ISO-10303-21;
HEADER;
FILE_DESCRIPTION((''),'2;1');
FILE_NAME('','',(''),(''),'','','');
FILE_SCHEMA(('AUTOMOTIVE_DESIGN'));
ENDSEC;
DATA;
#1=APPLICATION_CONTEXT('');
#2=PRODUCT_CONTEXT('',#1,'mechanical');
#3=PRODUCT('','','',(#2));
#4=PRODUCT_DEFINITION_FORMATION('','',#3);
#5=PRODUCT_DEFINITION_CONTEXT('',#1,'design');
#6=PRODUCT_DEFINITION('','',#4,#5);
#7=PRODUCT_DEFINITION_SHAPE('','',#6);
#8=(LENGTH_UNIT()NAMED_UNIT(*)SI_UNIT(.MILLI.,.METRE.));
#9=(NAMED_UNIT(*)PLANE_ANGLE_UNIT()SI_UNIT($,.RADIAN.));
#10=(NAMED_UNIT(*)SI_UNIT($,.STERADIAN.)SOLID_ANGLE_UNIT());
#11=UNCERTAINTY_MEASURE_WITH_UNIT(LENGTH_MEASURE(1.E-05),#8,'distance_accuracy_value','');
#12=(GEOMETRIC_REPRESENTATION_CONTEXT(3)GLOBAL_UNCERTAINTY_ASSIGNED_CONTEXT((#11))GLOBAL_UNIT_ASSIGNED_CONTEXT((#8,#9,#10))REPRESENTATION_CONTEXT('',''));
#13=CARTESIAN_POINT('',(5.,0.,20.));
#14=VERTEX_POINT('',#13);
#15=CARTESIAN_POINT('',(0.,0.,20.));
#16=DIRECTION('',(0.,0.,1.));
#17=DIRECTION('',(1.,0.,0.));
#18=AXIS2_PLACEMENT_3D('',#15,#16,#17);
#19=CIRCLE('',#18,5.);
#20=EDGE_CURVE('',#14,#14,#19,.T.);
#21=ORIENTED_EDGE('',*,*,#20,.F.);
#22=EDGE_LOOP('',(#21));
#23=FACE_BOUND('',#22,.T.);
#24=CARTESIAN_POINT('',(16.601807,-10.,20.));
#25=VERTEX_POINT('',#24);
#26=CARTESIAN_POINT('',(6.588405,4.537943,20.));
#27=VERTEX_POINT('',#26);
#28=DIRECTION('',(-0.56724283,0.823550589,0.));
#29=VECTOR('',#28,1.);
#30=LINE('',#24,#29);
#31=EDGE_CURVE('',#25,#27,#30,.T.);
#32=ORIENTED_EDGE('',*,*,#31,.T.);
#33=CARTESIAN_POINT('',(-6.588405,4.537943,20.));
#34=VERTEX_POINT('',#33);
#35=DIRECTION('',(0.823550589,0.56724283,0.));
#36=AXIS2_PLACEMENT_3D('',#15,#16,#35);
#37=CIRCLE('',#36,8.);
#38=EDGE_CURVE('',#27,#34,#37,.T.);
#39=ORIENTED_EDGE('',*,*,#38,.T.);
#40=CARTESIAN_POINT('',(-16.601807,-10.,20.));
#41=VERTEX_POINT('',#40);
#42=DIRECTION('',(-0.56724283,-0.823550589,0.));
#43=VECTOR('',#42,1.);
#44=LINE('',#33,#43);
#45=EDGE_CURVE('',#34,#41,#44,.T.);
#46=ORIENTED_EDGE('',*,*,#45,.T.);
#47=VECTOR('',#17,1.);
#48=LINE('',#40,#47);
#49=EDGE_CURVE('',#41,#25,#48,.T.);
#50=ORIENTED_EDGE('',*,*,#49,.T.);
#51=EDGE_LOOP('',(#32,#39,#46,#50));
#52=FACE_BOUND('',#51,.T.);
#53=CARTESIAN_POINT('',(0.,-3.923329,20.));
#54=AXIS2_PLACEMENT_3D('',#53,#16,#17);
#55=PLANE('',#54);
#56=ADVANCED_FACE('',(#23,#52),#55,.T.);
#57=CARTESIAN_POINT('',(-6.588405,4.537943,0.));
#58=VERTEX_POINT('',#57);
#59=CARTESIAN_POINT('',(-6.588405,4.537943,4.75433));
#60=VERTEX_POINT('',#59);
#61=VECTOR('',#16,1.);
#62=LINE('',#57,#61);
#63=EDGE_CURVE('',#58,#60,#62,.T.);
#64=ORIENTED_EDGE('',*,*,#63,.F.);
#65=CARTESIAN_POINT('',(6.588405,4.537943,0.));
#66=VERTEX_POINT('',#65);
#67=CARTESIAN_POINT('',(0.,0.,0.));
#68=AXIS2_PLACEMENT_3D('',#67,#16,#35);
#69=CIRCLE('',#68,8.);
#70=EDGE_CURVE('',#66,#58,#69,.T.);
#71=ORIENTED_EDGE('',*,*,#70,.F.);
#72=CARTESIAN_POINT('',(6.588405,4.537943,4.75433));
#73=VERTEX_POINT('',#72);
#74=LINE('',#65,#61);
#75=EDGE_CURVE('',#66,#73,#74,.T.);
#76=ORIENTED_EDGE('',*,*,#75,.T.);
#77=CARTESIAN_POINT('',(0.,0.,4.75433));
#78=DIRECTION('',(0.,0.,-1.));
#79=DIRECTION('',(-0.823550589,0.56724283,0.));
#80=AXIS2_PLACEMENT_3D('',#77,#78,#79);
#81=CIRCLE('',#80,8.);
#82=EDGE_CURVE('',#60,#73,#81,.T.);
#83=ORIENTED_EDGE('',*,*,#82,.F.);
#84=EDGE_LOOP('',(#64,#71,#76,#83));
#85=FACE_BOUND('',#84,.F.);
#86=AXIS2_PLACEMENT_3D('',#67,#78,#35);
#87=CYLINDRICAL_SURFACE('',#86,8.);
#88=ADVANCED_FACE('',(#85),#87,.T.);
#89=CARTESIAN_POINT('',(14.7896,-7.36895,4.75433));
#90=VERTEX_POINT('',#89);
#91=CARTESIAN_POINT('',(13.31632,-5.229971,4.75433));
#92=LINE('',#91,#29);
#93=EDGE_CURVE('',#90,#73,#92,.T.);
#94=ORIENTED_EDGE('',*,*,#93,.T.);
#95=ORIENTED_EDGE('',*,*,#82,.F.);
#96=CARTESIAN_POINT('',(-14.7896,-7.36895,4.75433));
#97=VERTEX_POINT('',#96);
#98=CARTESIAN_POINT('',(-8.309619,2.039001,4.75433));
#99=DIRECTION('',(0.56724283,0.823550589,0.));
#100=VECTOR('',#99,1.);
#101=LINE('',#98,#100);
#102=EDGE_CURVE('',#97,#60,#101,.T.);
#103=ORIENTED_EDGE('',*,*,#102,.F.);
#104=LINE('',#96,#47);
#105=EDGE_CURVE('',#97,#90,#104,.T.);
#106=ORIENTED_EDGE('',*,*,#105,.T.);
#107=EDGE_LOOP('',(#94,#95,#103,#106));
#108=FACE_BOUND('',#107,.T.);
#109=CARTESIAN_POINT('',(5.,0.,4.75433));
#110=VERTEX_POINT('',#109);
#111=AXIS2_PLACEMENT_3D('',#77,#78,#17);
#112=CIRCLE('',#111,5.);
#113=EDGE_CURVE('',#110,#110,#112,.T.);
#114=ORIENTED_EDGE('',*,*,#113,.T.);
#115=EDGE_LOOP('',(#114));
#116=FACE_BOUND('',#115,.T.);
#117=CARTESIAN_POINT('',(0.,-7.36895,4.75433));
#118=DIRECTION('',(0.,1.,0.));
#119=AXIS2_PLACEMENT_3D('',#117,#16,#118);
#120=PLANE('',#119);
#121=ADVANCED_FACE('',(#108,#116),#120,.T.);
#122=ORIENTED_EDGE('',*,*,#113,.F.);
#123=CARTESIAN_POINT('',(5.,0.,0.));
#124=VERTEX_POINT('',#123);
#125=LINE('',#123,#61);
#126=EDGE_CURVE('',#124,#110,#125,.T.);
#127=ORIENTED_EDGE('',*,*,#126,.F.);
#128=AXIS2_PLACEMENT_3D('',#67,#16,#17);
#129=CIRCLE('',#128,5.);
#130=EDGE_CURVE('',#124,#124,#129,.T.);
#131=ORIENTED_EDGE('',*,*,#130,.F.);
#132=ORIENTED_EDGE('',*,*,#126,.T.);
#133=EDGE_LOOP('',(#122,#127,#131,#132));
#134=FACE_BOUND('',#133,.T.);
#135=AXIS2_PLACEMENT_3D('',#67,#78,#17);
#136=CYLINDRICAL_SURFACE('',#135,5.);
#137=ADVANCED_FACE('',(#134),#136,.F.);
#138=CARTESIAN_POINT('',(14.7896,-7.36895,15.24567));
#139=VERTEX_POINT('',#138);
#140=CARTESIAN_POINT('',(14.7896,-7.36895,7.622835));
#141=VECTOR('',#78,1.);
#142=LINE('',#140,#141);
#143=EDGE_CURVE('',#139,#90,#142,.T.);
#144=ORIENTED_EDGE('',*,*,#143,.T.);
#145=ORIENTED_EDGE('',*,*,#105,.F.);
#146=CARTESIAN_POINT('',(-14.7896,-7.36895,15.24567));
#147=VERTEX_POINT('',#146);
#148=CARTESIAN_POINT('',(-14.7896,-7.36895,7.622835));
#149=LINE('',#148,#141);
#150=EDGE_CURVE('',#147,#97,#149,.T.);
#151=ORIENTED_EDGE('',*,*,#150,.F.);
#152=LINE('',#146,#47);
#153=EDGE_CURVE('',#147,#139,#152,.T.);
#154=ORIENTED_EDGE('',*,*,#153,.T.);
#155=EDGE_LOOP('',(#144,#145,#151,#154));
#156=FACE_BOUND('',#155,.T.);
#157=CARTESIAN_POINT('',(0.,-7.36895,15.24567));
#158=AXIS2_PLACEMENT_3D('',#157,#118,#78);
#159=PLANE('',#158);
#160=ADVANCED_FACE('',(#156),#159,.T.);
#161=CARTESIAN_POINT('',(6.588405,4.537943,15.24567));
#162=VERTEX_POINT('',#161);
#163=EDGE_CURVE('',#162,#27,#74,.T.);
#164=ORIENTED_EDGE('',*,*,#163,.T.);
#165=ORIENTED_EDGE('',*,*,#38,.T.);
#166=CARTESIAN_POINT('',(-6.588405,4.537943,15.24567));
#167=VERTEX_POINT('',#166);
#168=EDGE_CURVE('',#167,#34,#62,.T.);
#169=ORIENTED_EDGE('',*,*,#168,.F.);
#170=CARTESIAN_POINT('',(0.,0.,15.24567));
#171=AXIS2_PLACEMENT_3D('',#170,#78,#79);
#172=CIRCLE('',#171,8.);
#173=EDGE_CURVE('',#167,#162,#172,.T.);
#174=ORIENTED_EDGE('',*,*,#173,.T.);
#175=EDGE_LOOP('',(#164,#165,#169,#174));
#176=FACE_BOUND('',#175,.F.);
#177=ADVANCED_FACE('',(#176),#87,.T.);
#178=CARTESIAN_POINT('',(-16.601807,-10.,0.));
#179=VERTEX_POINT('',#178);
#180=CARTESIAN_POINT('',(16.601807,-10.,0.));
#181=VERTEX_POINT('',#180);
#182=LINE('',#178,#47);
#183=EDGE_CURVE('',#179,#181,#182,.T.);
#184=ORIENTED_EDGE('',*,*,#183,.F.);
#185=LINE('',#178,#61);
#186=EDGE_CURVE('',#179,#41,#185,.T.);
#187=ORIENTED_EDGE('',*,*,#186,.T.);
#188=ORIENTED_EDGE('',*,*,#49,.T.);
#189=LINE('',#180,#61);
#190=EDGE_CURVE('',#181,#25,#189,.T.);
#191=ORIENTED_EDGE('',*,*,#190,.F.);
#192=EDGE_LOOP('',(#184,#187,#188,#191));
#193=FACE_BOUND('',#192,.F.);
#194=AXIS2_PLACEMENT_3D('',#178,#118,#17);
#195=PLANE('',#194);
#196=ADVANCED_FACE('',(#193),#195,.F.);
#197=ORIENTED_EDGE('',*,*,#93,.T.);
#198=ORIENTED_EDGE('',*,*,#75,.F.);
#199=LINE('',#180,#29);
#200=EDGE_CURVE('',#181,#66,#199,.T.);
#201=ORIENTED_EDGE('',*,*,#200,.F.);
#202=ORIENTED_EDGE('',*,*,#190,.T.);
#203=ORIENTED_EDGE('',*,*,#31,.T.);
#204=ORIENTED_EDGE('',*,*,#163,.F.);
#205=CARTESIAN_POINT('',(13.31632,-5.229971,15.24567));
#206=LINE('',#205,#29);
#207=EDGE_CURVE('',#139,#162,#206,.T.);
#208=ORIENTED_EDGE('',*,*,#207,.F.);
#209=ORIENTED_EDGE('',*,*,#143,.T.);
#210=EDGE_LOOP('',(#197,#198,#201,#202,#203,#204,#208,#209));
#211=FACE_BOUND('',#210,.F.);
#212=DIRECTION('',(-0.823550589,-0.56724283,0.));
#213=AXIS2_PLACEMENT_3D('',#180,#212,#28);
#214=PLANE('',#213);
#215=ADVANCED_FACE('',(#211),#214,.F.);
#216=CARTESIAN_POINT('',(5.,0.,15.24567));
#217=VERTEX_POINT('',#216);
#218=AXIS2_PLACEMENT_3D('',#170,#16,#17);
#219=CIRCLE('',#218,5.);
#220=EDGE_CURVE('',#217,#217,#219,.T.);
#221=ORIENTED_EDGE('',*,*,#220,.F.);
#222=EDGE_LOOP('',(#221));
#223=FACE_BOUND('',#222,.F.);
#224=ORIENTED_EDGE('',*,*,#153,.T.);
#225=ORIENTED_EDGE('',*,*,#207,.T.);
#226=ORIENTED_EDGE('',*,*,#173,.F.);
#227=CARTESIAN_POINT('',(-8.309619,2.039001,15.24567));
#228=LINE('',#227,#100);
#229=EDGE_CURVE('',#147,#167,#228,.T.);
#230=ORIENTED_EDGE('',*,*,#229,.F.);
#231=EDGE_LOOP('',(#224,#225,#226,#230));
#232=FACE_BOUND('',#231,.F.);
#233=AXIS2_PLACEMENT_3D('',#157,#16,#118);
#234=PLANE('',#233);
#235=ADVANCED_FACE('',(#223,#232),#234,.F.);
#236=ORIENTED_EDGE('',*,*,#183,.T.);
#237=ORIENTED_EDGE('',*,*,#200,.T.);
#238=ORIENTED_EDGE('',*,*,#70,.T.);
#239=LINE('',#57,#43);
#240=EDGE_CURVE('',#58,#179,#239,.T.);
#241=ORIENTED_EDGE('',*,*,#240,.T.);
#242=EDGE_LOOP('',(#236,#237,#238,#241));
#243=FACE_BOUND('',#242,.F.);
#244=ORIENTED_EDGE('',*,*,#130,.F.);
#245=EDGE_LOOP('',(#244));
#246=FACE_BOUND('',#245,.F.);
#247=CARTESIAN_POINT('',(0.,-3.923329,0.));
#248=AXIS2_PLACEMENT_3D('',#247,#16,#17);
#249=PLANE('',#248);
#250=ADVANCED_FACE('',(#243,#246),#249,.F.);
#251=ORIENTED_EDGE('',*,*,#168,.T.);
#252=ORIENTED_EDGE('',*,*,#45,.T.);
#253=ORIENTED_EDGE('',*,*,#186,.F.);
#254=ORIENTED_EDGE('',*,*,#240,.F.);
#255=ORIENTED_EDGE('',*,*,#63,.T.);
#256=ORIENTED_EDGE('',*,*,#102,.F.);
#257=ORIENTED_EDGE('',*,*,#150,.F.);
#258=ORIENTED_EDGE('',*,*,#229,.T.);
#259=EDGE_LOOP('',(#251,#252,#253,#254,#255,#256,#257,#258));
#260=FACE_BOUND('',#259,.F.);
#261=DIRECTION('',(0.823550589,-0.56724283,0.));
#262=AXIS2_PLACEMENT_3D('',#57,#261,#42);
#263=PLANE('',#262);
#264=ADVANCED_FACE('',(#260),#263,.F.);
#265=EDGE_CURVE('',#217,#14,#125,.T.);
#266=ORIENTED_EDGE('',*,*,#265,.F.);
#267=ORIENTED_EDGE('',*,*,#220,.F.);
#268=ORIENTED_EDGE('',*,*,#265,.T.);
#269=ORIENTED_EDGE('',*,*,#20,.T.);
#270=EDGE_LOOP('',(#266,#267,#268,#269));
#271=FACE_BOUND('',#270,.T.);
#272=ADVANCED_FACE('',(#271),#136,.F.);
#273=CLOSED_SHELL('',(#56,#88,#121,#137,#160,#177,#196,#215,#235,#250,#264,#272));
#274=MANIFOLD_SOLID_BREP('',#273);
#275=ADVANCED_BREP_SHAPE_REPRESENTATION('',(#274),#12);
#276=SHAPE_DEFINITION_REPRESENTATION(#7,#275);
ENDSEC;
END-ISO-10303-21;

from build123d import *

# Parameters (mm, degrees)
SKETCH1_R               = 5
BOSS_EXTRUDE1_DEPTH     = 20
SKETCH2_W               = 10.491339254
SKETCH2_H               = 19.291026948
CUT_EXTRUDE1_DEPTH      = 17.60180745
CUT_EXTRUDE1_DEPTH_BACK = 17.60180745


with BuildPart() as part:
    # Sketch1 → Boss-Extrude1 (new body)
    with BuildSketch(Plane.XY):
        with BuildLine():
            Line((16.60180745, -10), (6.588404709, 4.537942638))
            ThreePointArc((6.588404709, 4.537942638), (0, 8), (-6.588404709, 4.537942638))
            Line((-6.588404709, 4.537942638), (-16.60180745, -10))
            Line((-16.60180745, -10), (16.60180745, -10))
        make_face()
        Circle(SKETCH1_R, mode=Mode.SUBTRACT)
    extrude(amount=BOSS_EXTRUDE1_DEPTH)

    # Sketch2 → Cut-Extrude1 (cut, two sides)
    with BuildSketch(Plane(origin=(0, 0, 0), x_dir=(0, 0, -1), z_dir=(1, 0, 0))) as cut_extrude1_sk:
        with Locations((-10, 2.276563947)):
            Rectangle(SKETCH2_W, SKETCH2_H)
    extrude(amount=CUT_EXTRUDE1_DEPTH, mode=Mode.SUBTRACT)
    extrude(cut_extrude1_sk.sketch, amount=-CUT_EXTRUDE1_DEPTH_BACK, mode=Mode.SUBTRACT)


solid = part.part
